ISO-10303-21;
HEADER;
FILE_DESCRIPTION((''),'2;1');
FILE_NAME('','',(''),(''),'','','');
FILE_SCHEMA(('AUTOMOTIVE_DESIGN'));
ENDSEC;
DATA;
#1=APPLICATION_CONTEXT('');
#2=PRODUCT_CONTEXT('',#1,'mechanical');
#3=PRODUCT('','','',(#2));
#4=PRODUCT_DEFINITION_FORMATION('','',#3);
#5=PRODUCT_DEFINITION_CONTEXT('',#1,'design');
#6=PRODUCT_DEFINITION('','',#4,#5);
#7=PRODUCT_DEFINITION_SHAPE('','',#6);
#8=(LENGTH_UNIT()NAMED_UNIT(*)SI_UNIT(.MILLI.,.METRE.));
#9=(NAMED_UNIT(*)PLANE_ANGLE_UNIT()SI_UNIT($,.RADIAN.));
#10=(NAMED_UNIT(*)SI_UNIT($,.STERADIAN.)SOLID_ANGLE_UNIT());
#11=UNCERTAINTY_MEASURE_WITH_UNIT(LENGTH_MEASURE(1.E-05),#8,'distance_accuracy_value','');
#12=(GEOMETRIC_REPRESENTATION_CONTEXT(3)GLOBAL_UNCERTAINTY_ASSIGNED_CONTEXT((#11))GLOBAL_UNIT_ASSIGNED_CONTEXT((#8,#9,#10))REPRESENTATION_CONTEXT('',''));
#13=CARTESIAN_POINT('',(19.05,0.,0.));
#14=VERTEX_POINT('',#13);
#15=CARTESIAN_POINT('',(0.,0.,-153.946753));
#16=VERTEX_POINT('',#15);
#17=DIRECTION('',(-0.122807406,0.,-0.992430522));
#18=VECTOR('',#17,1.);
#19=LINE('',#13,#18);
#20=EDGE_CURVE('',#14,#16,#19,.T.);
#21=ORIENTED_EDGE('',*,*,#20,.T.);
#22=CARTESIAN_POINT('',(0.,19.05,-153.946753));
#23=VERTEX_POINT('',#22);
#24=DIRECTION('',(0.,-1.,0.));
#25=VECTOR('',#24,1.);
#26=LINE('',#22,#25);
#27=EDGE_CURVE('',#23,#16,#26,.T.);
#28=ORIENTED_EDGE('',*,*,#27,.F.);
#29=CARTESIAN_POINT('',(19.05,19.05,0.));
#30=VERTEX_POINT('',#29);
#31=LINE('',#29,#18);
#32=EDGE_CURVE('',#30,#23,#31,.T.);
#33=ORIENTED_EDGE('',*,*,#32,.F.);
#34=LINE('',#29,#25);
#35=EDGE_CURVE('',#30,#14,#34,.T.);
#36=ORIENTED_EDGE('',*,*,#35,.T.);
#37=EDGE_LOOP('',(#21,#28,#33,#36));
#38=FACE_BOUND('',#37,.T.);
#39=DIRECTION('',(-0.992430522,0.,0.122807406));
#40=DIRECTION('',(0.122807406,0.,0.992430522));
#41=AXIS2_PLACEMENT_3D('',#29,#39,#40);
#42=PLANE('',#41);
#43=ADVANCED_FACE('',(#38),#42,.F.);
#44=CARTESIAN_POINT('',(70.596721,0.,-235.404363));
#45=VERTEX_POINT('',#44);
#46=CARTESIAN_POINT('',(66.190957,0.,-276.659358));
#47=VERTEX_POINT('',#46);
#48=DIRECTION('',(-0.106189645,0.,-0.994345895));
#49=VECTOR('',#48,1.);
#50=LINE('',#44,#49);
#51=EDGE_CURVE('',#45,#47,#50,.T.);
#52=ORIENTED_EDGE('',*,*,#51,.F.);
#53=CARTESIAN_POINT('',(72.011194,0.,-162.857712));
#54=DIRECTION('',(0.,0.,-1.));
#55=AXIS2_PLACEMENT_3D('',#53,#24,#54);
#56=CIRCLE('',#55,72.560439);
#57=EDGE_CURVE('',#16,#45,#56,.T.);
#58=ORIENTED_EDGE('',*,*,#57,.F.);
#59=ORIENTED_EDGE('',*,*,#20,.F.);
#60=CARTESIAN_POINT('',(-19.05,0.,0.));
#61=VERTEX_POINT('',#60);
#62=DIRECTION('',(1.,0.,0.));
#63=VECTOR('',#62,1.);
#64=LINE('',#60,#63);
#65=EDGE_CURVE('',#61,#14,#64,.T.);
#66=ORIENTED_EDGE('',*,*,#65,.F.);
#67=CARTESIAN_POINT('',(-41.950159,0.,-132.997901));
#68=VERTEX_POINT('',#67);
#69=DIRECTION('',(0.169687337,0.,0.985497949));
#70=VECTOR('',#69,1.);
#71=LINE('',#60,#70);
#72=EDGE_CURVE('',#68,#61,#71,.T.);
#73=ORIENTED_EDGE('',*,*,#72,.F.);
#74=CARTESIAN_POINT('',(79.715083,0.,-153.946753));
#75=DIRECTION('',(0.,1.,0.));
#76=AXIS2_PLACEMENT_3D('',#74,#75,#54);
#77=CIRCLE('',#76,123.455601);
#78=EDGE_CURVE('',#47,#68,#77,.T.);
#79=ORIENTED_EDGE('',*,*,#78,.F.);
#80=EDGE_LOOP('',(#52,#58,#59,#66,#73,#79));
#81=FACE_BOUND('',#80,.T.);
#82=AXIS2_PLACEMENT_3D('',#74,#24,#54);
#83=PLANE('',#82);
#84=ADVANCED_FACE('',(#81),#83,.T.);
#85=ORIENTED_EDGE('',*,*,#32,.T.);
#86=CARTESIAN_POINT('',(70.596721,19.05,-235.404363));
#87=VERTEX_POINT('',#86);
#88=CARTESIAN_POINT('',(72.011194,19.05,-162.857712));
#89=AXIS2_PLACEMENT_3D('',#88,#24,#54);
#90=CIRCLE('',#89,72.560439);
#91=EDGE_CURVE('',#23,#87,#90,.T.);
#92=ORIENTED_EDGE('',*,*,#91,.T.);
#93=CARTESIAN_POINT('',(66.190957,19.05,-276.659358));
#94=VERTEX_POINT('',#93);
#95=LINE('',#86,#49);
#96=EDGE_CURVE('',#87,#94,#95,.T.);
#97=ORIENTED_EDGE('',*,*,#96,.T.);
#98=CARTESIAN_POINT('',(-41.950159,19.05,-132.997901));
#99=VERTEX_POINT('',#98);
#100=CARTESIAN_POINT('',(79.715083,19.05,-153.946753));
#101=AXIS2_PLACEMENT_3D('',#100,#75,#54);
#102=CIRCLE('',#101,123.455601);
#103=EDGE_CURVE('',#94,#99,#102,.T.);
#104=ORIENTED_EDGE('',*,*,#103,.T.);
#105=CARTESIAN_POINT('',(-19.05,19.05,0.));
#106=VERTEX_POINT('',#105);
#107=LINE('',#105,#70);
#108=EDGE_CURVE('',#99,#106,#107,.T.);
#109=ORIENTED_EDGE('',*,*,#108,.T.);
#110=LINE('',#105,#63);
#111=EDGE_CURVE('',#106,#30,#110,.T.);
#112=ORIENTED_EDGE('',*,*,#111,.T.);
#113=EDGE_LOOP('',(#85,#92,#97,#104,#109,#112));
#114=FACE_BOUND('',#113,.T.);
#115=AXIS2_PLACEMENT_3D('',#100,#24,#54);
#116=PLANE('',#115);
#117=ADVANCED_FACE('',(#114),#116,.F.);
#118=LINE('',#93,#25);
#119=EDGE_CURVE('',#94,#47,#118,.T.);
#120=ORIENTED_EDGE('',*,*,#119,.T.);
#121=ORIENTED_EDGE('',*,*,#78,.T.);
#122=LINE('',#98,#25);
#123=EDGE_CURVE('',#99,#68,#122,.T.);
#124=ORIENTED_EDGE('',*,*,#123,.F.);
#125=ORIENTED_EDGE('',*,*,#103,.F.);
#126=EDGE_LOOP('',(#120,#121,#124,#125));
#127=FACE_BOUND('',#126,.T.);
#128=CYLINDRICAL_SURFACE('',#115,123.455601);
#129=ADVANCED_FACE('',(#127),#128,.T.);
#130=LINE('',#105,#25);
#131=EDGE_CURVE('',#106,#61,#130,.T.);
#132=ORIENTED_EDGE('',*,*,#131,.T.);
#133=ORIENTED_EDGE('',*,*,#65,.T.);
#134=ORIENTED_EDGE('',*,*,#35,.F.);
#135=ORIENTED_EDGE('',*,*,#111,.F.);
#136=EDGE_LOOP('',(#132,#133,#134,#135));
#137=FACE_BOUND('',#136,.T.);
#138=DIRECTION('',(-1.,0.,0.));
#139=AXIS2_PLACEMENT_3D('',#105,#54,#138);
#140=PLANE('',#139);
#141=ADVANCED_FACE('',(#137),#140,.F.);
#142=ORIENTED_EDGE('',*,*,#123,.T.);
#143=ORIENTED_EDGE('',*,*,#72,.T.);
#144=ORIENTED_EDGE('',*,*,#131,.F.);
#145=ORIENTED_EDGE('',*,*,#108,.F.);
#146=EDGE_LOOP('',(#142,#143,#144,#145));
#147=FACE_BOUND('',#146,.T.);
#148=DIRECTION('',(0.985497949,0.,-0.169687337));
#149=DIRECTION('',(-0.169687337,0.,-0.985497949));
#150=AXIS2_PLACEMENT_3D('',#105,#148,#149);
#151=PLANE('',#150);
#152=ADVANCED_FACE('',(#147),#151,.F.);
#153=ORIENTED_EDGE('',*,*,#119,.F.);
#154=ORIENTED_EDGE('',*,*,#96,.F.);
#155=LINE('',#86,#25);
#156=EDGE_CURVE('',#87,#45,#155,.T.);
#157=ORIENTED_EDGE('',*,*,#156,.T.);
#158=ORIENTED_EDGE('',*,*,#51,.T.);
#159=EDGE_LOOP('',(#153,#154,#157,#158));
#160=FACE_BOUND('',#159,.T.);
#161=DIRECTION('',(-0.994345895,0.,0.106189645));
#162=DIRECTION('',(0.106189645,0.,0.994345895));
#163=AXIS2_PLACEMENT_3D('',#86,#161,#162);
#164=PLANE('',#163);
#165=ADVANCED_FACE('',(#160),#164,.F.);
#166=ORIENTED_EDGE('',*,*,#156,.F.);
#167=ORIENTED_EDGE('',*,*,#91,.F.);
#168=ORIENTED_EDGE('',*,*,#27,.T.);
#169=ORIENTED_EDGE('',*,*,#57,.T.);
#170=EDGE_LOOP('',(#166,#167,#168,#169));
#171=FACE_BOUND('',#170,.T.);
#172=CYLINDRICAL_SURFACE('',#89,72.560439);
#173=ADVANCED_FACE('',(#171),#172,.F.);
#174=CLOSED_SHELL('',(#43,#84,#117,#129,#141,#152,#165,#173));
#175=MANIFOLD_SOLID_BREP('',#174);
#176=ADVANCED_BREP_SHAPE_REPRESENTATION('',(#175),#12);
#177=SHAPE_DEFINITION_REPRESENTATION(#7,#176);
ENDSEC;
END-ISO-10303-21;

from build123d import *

# Parameters (mm, degrees)
BOSS_EXTRUDE1_DEPTH = 19.05


with BuildPart() as part:
    # Sketch1 → Boss-Extrude1 (new body)
    with BuildSketch(Plane(origin=(0, 0, 0), x_dir=(1, 0, 0), z_dir=(0, 1, 0))):
        with BuildLine():
            Line((-19.05, 0), (19.05, 0))
            Line((19.05, 0), (0, 153.946752773))
            ThreePointArc((0, 153.946752773), (17.1781045, 210.379807697), (70.596720949, 235.404363218))
            Line((70.596720949, 235.404363218), (66.190957042, 276.659357883))
            ThreePointArc((66.190957042, 276.659357883), (-18.919063667, 228.193574854), (-41.950158875, 132.997900565))
            Line((-41.950158875, 132.997900565), (-19.05, 0))
        make_face()
    extrude(amount=BOSS_EXTRUDE1_DEPTH)


solid = part.part
